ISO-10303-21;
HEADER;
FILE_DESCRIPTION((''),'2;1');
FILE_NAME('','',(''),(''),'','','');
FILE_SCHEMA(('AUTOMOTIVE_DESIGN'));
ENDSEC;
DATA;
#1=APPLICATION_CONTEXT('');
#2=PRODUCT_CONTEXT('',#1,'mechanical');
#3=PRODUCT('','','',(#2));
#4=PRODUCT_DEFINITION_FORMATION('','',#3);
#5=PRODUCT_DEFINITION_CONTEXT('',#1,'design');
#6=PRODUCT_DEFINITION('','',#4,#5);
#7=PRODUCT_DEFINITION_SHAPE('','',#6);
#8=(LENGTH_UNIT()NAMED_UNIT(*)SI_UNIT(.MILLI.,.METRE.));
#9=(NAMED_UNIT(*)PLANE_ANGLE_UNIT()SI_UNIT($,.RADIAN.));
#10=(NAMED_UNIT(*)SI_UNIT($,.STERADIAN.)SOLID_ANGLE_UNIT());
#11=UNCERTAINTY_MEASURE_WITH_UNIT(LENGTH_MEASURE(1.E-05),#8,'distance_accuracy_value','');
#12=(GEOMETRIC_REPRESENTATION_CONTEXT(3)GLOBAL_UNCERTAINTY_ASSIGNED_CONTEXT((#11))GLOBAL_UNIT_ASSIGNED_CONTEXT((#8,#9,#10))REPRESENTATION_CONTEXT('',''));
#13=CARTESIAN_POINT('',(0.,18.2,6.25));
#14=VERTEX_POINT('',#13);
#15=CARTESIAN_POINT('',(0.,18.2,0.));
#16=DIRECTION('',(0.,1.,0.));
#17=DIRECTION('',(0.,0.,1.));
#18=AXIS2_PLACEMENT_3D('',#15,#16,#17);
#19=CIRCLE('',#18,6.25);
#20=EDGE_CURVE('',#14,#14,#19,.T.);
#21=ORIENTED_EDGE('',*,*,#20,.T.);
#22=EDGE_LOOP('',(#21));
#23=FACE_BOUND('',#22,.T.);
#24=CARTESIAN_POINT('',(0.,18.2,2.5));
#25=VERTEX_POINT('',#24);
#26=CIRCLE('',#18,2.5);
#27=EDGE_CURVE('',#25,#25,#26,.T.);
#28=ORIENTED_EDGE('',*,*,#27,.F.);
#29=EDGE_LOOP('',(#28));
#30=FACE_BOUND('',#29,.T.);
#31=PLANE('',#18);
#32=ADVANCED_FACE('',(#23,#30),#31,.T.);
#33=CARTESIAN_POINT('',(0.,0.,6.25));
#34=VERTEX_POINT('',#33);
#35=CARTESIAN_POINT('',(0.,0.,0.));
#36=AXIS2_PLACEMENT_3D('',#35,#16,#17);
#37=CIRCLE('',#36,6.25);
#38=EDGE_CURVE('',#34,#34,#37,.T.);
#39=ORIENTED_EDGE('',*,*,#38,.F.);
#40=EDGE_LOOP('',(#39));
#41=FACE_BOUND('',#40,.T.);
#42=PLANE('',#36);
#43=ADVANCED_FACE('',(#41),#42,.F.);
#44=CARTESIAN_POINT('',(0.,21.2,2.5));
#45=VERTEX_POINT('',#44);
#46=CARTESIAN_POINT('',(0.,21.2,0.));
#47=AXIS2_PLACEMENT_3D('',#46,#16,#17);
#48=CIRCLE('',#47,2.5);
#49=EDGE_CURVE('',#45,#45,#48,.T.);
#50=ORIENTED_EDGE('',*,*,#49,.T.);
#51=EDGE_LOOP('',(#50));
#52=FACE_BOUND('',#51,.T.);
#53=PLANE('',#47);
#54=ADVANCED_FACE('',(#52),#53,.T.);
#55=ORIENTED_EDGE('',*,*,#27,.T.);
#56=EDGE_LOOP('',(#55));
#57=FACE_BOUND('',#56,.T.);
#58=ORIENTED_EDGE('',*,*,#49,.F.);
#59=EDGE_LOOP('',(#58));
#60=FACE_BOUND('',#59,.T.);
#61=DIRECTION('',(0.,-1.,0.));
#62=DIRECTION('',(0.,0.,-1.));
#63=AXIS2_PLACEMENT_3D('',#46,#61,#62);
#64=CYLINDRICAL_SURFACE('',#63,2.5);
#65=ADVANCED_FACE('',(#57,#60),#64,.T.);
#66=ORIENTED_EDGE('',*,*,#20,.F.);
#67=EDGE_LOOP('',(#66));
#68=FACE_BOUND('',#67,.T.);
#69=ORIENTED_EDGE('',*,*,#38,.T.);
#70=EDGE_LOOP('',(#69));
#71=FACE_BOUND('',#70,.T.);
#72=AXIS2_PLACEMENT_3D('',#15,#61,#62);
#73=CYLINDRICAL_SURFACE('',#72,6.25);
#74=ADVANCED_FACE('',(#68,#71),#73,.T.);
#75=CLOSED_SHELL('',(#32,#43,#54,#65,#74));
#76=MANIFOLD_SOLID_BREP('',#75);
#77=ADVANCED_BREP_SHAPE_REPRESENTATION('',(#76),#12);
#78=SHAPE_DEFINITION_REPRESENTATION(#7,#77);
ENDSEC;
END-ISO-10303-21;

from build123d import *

# Parameters (mm, degrees)
SKETCH_1_R      = 6.25
EXTRUDE_1_DEPTH = 18.2
SKETCH_2_R      = 2.5
EXTRUDE_2_DEPTH = 3


with BuildPart() as part:
    # 草图1 → 凸台-拉伸1 (new body)
    with BuildSketch(Plane(origin=(0, 0, 0), x_dir=(1, 0, 0), z_dir=(0, 1, 0))):
        with Locations(Location((0, 0, 0), (0, 0, 270))):
            Circle(SKETCH_1_R)
    extrude(amount=EXTRUDE_1_DEPTH)

    # 草图2 → 凸台-拉伸2 (add)
    with BuildSketch(Plane(origin=(0, 18.2, 0), x_dir=(1, 0, 0), z_dir=(0, 1, 0))):
        with Locations(Location((0, 0, 0), (0, 0, 270))):
            Circle(SKETCH_2_R)
    extrude(amount=EXTRUDE_2_DEPTH)


solid = part.part
